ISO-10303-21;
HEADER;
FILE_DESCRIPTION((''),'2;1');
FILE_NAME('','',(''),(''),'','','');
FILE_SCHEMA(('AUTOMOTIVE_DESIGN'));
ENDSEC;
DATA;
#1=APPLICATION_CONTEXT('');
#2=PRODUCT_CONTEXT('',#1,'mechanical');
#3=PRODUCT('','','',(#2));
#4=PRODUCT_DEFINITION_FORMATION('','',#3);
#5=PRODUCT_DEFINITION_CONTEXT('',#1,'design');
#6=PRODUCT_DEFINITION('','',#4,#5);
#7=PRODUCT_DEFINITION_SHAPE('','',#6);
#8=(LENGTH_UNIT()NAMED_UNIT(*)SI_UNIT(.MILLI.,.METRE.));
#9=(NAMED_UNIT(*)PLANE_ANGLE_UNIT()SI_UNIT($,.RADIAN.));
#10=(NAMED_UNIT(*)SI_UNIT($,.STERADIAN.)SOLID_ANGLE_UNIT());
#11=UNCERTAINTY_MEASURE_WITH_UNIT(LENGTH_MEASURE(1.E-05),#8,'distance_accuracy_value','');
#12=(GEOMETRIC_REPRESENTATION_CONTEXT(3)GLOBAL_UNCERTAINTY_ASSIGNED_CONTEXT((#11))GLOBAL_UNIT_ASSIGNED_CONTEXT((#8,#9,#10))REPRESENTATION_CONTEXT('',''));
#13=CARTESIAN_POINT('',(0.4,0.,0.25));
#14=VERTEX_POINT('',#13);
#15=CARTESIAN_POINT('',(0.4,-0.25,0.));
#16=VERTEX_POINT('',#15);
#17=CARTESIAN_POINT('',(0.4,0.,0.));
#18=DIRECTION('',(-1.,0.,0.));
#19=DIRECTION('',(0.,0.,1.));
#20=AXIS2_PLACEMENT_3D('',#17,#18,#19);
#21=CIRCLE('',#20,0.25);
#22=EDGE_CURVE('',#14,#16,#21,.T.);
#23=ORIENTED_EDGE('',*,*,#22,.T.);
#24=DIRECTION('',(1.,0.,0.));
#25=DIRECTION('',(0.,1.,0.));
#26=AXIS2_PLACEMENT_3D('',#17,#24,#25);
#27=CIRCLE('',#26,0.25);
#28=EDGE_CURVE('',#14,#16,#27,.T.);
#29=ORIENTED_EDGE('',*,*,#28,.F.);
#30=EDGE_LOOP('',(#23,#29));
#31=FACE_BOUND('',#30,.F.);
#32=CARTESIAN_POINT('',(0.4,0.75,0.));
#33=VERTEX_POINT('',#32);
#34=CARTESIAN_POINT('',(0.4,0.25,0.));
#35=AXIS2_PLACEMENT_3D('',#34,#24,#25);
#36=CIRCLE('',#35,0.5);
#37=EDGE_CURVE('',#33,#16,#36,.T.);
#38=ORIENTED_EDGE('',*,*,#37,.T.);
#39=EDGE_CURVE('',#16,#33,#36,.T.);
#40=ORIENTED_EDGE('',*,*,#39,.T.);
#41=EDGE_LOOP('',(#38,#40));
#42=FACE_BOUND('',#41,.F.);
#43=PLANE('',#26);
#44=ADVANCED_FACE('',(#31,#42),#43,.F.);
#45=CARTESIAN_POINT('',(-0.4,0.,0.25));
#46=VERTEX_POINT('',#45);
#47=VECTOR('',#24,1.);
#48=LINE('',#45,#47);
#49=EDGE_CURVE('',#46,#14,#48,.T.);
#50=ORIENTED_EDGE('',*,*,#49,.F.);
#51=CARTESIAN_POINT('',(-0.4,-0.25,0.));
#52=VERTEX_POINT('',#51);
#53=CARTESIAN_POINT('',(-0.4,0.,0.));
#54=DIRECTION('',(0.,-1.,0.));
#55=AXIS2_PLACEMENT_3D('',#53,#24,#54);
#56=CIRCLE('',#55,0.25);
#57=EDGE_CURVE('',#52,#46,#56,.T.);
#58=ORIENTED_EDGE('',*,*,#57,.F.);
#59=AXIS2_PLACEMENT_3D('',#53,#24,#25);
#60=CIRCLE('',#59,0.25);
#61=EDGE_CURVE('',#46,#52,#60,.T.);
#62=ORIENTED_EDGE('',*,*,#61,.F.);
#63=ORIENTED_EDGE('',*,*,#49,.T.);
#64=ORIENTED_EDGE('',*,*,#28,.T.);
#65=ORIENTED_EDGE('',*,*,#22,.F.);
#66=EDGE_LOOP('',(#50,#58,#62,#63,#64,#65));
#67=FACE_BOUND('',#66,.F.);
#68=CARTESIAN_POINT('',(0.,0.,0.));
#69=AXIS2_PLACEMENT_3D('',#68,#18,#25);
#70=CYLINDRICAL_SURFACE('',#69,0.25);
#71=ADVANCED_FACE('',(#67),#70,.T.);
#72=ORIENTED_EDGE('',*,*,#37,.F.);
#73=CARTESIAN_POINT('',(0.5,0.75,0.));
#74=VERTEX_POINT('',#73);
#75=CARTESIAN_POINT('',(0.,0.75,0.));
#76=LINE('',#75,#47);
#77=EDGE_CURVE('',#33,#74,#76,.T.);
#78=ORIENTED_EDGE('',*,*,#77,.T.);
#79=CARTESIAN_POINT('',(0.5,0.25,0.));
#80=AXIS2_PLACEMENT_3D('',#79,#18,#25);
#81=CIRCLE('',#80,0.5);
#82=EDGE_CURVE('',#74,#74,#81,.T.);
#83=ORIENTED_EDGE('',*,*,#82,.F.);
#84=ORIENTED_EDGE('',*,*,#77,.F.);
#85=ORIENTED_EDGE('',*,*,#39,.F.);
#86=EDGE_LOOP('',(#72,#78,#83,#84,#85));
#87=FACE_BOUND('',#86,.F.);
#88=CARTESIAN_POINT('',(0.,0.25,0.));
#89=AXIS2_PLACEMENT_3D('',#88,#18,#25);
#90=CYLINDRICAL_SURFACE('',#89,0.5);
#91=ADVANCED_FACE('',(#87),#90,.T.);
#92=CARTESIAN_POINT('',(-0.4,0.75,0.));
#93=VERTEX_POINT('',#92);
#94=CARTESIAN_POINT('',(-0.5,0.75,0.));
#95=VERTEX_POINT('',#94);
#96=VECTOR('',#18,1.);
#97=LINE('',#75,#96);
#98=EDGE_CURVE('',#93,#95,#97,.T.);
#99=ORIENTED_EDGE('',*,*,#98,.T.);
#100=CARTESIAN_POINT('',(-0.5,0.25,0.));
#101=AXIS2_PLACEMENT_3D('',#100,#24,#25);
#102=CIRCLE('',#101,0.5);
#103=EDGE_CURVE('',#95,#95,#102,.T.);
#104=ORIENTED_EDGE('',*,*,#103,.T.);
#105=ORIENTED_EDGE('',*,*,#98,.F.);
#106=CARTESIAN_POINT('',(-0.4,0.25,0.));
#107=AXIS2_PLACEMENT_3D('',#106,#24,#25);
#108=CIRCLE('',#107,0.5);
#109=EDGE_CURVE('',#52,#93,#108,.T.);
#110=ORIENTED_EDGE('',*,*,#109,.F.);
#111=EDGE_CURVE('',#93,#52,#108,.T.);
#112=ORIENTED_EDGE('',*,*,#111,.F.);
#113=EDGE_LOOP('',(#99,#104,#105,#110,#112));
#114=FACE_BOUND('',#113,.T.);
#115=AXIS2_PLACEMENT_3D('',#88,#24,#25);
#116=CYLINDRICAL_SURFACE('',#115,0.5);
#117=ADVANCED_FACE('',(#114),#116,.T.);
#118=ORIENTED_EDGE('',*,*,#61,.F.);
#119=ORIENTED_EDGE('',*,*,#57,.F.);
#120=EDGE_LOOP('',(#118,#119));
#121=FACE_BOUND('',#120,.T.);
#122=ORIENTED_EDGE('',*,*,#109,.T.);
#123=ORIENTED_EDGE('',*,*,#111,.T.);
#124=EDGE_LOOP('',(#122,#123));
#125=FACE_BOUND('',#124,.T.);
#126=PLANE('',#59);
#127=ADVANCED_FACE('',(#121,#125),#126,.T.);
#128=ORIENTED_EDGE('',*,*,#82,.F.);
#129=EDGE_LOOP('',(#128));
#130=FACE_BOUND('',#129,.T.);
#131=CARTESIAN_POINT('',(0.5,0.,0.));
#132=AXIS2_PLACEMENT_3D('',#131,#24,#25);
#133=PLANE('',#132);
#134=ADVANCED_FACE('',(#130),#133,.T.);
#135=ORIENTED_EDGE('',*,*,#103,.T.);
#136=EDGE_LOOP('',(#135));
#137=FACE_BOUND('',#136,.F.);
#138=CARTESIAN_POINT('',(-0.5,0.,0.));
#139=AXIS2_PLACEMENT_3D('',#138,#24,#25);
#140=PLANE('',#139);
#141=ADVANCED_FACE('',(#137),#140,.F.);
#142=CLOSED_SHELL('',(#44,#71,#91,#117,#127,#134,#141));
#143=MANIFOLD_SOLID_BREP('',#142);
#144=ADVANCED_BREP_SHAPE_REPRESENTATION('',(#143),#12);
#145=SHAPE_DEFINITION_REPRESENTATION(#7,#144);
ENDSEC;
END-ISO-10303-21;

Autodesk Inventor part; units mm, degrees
ref_plane "YZ Plane" through (0, 0, 0) normal (1, 0, 0) x (0, 1, 0)
ref_plane "XZ Plane" through (0, 0, 0) normal (0, 1, 0) x (-1, 0, 0)
ref_plane "XY Plane" through (0, 0, 0) normal (0, 0, 1) x (1, 0, 0)
sketch "草圖1" plane through (0, 0, 0) normal (1, 0, 0) x (0, 1, 0)
  circle A0 centre (0, 0) radius 0.25
  arc A1 (0, 0.25) -> (0, -0.25) centre (0, 0) ccw
  circle A2 centre (0.25, 0) radius 0.5
  line L0 (-0.45, 0) -> (0.95, 0) projected
  point P0 (-0.25, 0)
  dimension "d44" = 0.5
  dimension "d49" = 1
extrude "擠出11" add sketch "草圖1" along normal mid plane 1
extrude "擠出12" cut sketch "草圖1" along normal mid plane 0.8 contours L0 A2 A0 | A0 A2 L0
properties part number "軸"
